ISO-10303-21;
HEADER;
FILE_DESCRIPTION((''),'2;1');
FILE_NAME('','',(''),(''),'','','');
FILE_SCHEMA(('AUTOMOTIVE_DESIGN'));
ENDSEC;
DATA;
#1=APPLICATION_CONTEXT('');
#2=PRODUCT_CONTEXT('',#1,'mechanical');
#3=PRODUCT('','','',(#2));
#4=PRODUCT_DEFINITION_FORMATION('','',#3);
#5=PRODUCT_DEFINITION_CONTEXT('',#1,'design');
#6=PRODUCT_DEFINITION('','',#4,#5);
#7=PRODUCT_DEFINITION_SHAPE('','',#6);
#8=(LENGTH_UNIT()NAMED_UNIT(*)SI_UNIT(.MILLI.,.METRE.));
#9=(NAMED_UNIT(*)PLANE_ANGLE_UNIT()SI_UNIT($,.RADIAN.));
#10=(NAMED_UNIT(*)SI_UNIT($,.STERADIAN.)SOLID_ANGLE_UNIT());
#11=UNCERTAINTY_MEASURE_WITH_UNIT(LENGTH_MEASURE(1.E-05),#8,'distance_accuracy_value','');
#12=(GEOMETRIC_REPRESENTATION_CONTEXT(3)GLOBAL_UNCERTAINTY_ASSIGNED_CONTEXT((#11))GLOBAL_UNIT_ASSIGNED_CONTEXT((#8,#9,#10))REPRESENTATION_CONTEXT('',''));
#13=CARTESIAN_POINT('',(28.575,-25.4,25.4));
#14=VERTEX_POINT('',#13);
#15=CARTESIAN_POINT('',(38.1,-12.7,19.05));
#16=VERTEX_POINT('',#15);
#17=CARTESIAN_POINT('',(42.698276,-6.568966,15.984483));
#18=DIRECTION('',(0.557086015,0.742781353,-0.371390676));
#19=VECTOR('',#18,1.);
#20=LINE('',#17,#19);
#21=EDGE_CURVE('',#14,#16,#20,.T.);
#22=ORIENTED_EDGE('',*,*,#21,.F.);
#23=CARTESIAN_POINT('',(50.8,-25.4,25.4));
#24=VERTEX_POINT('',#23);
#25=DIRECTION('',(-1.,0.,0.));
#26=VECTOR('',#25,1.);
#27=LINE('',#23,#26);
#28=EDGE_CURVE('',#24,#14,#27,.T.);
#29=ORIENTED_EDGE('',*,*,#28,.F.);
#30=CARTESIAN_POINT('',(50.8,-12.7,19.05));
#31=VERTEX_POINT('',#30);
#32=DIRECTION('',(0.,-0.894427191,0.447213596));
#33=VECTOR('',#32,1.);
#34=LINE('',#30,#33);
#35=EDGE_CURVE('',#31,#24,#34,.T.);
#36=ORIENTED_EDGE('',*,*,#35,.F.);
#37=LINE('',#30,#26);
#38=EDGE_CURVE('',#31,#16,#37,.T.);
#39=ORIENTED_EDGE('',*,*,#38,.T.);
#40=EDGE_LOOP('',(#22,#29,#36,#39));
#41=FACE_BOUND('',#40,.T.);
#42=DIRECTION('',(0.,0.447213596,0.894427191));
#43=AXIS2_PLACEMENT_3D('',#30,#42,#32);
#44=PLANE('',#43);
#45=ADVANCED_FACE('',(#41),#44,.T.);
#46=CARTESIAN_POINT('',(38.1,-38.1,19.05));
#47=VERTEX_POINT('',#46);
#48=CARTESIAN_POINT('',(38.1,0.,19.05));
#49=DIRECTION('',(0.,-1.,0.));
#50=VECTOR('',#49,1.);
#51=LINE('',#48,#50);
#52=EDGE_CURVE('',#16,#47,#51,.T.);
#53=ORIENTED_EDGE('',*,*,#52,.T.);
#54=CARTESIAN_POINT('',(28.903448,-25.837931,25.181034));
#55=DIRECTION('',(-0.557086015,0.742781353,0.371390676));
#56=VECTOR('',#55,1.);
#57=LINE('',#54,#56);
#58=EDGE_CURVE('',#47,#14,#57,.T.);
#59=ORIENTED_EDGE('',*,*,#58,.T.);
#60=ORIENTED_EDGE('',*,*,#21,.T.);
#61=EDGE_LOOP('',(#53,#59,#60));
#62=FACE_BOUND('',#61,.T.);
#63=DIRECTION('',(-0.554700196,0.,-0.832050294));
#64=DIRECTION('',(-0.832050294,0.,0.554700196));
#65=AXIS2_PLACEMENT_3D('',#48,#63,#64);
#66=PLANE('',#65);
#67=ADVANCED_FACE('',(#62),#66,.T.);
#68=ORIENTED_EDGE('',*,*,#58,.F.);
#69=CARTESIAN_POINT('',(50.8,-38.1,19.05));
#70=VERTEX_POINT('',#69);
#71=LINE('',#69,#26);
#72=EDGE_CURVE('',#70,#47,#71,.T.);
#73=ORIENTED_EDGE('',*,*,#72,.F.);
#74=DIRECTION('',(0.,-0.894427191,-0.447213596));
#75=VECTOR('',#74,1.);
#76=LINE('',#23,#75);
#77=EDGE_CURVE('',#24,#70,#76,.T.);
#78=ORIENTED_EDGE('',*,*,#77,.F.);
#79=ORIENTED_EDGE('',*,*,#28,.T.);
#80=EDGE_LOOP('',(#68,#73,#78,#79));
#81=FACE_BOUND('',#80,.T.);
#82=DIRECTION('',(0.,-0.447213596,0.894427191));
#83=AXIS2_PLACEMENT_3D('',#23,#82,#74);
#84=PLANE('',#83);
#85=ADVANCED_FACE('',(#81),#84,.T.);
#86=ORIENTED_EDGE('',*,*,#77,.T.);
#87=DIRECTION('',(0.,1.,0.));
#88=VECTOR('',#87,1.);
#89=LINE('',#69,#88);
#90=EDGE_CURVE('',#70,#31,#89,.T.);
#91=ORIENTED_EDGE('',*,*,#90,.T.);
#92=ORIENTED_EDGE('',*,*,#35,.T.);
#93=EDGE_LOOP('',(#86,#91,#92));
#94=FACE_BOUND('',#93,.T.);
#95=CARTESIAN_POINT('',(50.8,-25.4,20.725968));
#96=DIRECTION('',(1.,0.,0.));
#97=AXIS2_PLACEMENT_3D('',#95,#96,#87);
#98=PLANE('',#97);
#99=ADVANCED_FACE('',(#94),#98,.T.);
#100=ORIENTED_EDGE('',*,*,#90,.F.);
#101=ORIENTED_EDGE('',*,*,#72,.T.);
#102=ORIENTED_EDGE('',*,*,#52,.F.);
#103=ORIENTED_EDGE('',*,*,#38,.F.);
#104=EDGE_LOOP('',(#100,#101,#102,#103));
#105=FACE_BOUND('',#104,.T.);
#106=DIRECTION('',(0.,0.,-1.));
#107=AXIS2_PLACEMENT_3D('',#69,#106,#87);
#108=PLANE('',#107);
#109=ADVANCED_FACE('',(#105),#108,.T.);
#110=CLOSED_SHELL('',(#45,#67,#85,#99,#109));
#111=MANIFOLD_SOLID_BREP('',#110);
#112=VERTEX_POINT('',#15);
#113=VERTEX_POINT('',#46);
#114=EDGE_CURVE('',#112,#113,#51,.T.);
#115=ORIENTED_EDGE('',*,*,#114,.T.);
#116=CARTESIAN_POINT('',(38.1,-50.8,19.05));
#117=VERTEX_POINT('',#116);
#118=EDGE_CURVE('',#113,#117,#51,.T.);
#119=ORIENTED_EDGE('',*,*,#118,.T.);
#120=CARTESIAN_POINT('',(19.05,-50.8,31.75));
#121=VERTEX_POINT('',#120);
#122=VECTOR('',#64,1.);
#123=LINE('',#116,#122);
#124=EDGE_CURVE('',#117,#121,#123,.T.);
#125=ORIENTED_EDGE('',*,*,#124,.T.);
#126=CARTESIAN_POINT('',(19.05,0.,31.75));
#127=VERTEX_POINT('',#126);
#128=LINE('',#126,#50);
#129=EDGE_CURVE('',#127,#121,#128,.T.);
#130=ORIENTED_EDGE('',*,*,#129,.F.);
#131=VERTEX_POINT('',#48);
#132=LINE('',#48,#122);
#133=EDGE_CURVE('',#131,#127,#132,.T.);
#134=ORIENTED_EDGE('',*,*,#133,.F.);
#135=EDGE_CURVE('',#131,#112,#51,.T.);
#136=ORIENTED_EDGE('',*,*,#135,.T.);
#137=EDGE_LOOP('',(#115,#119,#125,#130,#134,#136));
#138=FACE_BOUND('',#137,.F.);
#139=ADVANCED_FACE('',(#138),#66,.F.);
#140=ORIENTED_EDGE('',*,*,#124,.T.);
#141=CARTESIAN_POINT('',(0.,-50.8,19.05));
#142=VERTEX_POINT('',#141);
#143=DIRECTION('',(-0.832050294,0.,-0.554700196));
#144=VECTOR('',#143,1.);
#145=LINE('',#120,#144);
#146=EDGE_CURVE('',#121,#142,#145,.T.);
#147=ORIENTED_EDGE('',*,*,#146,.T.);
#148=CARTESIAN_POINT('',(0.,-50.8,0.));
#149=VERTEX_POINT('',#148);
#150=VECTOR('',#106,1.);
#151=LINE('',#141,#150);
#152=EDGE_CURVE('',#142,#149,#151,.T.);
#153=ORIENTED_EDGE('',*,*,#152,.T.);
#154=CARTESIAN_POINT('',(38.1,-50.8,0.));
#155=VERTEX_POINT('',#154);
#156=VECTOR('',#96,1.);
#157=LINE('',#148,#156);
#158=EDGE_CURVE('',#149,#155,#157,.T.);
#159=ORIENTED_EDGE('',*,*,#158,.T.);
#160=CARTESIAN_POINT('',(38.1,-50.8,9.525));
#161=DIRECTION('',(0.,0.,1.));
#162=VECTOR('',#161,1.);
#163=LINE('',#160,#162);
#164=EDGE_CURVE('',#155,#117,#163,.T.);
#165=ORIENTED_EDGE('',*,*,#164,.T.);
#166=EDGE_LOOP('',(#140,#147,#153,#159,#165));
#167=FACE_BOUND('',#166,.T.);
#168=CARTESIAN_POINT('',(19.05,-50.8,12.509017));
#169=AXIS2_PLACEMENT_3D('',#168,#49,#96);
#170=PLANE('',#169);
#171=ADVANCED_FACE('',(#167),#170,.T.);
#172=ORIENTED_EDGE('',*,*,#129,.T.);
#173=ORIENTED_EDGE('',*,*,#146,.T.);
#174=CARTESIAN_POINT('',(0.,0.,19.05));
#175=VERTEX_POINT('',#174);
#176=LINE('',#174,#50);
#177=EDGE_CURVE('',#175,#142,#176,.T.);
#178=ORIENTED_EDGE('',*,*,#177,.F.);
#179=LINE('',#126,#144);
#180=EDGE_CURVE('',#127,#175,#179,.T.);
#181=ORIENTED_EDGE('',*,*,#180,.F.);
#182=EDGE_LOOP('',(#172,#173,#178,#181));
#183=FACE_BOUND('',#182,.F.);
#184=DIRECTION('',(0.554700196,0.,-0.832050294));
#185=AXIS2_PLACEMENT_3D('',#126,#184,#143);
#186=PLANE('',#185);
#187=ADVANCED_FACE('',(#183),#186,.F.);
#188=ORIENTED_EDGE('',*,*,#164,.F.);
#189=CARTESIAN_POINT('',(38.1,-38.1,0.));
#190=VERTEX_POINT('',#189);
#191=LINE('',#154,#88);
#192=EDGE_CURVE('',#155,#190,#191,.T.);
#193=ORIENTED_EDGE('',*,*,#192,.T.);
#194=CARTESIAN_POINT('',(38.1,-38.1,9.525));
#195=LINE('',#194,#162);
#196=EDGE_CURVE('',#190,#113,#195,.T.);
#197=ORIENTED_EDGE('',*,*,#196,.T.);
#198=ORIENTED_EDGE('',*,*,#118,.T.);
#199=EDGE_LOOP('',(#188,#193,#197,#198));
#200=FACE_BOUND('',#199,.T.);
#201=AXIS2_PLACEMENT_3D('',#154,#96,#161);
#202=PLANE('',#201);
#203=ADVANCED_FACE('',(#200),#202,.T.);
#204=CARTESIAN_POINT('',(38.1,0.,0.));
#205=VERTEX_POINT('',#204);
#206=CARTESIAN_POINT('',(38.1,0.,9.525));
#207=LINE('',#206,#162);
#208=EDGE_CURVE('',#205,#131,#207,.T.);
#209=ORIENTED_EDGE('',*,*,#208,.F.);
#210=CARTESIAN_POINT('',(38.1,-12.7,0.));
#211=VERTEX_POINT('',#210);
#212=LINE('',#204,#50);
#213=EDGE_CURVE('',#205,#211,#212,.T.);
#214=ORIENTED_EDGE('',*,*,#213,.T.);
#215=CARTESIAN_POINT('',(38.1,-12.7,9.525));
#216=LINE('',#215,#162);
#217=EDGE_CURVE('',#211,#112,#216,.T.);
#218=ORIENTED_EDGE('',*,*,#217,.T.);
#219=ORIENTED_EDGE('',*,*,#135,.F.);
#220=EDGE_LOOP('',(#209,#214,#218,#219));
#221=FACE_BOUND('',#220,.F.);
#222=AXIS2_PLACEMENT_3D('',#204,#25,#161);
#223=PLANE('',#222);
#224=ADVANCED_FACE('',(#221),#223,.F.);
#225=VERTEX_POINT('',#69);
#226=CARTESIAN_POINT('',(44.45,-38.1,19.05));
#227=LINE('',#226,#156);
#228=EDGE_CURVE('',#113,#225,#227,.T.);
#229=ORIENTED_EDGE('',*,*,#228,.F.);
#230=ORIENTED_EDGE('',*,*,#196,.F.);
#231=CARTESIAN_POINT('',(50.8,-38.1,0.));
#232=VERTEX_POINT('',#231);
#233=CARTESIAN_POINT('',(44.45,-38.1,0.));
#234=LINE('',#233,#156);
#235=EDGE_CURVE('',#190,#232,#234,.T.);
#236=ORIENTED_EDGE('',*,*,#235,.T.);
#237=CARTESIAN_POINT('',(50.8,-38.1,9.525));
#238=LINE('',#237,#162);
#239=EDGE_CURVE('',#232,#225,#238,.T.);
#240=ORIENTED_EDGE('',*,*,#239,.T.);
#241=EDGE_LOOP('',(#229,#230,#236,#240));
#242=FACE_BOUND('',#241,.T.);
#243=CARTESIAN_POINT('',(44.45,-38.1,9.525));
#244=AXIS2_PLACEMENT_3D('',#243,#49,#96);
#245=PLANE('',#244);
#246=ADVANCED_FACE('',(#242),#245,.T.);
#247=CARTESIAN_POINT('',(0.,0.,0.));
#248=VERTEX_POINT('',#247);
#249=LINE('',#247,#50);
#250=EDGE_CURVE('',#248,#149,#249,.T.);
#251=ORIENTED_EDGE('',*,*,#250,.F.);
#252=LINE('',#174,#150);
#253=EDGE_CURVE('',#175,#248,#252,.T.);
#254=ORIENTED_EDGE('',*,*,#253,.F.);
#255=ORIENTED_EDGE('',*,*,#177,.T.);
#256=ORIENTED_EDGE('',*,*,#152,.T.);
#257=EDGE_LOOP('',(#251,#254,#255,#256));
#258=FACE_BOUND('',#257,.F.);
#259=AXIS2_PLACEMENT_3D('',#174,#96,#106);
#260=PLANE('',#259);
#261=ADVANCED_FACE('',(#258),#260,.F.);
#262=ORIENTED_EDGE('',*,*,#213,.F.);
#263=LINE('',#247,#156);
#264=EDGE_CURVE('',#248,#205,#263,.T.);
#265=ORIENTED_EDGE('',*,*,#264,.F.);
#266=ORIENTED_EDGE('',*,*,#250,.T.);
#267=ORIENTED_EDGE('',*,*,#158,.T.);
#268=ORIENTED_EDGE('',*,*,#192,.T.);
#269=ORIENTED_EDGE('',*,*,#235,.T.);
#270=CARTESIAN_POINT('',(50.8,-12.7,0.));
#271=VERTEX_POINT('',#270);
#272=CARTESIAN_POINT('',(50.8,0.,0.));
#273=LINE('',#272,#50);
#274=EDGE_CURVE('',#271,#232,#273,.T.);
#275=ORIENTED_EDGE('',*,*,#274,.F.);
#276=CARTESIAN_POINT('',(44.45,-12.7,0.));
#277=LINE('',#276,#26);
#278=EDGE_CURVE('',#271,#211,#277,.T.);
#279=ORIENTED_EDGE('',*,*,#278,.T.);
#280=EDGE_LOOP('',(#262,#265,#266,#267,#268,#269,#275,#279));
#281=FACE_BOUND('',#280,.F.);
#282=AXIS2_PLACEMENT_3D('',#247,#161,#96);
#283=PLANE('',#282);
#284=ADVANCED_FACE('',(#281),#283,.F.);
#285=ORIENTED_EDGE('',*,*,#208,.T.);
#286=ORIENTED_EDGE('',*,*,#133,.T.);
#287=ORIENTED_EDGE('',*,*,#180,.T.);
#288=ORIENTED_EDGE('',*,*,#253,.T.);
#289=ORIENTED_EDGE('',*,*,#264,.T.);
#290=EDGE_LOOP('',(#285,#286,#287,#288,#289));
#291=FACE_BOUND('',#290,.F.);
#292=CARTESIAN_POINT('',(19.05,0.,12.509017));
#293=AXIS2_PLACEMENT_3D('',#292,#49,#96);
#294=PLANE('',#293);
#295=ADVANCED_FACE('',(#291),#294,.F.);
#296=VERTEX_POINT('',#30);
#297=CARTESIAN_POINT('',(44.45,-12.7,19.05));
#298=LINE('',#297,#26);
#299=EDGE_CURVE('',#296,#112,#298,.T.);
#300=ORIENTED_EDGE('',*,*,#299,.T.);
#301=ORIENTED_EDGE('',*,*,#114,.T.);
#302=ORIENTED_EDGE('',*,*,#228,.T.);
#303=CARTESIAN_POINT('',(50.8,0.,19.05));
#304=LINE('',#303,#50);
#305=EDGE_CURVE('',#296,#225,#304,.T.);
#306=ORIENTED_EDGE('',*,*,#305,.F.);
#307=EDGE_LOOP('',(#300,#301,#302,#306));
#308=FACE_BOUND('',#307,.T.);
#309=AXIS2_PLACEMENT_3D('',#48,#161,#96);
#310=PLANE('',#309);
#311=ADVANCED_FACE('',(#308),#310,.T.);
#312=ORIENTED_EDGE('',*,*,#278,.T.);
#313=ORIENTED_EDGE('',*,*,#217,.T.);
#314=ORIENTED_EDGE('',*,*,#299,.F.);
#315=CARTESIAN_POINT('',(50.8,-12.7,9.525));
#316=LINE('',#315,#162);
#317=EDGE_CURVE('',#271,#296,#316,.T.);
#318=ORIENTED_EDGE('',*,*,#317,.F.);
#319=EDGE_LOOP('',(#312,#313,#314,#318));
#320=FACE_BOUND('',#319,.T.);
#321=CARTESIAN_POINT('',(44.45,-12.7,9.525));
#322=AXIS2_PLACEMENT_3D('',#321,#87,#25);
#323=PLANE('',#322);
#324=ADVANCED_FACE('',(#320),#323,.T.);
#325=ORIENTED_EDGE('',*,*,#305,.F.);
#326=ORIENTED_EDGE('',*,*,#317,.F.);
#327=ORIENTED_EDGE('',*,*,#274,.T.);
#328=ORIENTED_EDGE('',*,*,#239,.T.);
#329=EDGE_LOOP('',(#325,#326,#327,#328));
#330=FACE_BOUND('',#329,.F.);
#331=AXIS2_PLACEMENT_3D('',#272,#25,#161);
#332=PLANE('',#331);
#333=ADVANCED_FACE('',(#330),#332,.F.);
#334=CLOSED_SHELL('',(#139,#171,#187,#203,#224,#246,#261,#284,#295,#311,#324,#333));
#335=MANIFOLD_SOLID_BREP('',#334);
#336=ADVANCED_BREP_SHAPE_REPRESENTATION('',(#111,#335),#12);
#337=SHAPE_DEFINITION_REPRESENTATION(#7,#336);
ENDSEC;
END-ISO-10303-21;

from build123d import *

# Parameters (mm, degrees)
F0_W     = 12.7
F0_H     = 19.05
F1_DEPTH = 50.8
F2_W     = 12.7
F2_H     = 19.05
F3_DEPTH = 12.7
F4_W     = 12.7
F4_H     = 19.05
F5_DEPTH = 12.7


with BuildPart() as f1:
    # F0 (on Front) → F1 (new body)
    with BuildSketch(Plane.XZ):
        Polygon((0, 19.05), (0, 0), (38.1, 0), (38.1, 19.05), (19.05, 31.75), align=None)
        with Locations((44.45, 9.525)):
            Rectangle(F0_W, F0_H)
    extrude(amount=F1_DEPTH)

    # F2 (on face) → F3 (cut)
    with BuildSketch(Plane.XZ.offset(50.8)):
        with Locations((44.45, 9.525)):
            Rectangle(F2_W, F2_H)
    extrude(amount=-F3_DEPTH, mode=Mode.SUBTRACT)

    # F4 (on face) → F5 (cut)
    with BuildSketch(Plane(origin=(0, 0, 0), x_dir=(-1, 0, 0), z_dir=(0, 1, 0))):
        with Locations((-44.45, 9.525)):
            Rectangle(F4_W, F4_H)
    extrude(amount=-F5_DEPTH, mode=Mode.SUBTRACT)


with BuildPart() as f7:
    # F6 (on face) → F7 (new body, up to the next surface of F1)
    with BuildSketch(Plane.YZ.offset(50.8)):
        Polygon((-25.4, 25.4), (-38.1, 19.05), (-12.7, 19.05), align=None)
    extrude(until=Until.NEXT, target=f1.part, dir=(-1, 0, 0))


solid = Compound([f1.part, f7.part])
